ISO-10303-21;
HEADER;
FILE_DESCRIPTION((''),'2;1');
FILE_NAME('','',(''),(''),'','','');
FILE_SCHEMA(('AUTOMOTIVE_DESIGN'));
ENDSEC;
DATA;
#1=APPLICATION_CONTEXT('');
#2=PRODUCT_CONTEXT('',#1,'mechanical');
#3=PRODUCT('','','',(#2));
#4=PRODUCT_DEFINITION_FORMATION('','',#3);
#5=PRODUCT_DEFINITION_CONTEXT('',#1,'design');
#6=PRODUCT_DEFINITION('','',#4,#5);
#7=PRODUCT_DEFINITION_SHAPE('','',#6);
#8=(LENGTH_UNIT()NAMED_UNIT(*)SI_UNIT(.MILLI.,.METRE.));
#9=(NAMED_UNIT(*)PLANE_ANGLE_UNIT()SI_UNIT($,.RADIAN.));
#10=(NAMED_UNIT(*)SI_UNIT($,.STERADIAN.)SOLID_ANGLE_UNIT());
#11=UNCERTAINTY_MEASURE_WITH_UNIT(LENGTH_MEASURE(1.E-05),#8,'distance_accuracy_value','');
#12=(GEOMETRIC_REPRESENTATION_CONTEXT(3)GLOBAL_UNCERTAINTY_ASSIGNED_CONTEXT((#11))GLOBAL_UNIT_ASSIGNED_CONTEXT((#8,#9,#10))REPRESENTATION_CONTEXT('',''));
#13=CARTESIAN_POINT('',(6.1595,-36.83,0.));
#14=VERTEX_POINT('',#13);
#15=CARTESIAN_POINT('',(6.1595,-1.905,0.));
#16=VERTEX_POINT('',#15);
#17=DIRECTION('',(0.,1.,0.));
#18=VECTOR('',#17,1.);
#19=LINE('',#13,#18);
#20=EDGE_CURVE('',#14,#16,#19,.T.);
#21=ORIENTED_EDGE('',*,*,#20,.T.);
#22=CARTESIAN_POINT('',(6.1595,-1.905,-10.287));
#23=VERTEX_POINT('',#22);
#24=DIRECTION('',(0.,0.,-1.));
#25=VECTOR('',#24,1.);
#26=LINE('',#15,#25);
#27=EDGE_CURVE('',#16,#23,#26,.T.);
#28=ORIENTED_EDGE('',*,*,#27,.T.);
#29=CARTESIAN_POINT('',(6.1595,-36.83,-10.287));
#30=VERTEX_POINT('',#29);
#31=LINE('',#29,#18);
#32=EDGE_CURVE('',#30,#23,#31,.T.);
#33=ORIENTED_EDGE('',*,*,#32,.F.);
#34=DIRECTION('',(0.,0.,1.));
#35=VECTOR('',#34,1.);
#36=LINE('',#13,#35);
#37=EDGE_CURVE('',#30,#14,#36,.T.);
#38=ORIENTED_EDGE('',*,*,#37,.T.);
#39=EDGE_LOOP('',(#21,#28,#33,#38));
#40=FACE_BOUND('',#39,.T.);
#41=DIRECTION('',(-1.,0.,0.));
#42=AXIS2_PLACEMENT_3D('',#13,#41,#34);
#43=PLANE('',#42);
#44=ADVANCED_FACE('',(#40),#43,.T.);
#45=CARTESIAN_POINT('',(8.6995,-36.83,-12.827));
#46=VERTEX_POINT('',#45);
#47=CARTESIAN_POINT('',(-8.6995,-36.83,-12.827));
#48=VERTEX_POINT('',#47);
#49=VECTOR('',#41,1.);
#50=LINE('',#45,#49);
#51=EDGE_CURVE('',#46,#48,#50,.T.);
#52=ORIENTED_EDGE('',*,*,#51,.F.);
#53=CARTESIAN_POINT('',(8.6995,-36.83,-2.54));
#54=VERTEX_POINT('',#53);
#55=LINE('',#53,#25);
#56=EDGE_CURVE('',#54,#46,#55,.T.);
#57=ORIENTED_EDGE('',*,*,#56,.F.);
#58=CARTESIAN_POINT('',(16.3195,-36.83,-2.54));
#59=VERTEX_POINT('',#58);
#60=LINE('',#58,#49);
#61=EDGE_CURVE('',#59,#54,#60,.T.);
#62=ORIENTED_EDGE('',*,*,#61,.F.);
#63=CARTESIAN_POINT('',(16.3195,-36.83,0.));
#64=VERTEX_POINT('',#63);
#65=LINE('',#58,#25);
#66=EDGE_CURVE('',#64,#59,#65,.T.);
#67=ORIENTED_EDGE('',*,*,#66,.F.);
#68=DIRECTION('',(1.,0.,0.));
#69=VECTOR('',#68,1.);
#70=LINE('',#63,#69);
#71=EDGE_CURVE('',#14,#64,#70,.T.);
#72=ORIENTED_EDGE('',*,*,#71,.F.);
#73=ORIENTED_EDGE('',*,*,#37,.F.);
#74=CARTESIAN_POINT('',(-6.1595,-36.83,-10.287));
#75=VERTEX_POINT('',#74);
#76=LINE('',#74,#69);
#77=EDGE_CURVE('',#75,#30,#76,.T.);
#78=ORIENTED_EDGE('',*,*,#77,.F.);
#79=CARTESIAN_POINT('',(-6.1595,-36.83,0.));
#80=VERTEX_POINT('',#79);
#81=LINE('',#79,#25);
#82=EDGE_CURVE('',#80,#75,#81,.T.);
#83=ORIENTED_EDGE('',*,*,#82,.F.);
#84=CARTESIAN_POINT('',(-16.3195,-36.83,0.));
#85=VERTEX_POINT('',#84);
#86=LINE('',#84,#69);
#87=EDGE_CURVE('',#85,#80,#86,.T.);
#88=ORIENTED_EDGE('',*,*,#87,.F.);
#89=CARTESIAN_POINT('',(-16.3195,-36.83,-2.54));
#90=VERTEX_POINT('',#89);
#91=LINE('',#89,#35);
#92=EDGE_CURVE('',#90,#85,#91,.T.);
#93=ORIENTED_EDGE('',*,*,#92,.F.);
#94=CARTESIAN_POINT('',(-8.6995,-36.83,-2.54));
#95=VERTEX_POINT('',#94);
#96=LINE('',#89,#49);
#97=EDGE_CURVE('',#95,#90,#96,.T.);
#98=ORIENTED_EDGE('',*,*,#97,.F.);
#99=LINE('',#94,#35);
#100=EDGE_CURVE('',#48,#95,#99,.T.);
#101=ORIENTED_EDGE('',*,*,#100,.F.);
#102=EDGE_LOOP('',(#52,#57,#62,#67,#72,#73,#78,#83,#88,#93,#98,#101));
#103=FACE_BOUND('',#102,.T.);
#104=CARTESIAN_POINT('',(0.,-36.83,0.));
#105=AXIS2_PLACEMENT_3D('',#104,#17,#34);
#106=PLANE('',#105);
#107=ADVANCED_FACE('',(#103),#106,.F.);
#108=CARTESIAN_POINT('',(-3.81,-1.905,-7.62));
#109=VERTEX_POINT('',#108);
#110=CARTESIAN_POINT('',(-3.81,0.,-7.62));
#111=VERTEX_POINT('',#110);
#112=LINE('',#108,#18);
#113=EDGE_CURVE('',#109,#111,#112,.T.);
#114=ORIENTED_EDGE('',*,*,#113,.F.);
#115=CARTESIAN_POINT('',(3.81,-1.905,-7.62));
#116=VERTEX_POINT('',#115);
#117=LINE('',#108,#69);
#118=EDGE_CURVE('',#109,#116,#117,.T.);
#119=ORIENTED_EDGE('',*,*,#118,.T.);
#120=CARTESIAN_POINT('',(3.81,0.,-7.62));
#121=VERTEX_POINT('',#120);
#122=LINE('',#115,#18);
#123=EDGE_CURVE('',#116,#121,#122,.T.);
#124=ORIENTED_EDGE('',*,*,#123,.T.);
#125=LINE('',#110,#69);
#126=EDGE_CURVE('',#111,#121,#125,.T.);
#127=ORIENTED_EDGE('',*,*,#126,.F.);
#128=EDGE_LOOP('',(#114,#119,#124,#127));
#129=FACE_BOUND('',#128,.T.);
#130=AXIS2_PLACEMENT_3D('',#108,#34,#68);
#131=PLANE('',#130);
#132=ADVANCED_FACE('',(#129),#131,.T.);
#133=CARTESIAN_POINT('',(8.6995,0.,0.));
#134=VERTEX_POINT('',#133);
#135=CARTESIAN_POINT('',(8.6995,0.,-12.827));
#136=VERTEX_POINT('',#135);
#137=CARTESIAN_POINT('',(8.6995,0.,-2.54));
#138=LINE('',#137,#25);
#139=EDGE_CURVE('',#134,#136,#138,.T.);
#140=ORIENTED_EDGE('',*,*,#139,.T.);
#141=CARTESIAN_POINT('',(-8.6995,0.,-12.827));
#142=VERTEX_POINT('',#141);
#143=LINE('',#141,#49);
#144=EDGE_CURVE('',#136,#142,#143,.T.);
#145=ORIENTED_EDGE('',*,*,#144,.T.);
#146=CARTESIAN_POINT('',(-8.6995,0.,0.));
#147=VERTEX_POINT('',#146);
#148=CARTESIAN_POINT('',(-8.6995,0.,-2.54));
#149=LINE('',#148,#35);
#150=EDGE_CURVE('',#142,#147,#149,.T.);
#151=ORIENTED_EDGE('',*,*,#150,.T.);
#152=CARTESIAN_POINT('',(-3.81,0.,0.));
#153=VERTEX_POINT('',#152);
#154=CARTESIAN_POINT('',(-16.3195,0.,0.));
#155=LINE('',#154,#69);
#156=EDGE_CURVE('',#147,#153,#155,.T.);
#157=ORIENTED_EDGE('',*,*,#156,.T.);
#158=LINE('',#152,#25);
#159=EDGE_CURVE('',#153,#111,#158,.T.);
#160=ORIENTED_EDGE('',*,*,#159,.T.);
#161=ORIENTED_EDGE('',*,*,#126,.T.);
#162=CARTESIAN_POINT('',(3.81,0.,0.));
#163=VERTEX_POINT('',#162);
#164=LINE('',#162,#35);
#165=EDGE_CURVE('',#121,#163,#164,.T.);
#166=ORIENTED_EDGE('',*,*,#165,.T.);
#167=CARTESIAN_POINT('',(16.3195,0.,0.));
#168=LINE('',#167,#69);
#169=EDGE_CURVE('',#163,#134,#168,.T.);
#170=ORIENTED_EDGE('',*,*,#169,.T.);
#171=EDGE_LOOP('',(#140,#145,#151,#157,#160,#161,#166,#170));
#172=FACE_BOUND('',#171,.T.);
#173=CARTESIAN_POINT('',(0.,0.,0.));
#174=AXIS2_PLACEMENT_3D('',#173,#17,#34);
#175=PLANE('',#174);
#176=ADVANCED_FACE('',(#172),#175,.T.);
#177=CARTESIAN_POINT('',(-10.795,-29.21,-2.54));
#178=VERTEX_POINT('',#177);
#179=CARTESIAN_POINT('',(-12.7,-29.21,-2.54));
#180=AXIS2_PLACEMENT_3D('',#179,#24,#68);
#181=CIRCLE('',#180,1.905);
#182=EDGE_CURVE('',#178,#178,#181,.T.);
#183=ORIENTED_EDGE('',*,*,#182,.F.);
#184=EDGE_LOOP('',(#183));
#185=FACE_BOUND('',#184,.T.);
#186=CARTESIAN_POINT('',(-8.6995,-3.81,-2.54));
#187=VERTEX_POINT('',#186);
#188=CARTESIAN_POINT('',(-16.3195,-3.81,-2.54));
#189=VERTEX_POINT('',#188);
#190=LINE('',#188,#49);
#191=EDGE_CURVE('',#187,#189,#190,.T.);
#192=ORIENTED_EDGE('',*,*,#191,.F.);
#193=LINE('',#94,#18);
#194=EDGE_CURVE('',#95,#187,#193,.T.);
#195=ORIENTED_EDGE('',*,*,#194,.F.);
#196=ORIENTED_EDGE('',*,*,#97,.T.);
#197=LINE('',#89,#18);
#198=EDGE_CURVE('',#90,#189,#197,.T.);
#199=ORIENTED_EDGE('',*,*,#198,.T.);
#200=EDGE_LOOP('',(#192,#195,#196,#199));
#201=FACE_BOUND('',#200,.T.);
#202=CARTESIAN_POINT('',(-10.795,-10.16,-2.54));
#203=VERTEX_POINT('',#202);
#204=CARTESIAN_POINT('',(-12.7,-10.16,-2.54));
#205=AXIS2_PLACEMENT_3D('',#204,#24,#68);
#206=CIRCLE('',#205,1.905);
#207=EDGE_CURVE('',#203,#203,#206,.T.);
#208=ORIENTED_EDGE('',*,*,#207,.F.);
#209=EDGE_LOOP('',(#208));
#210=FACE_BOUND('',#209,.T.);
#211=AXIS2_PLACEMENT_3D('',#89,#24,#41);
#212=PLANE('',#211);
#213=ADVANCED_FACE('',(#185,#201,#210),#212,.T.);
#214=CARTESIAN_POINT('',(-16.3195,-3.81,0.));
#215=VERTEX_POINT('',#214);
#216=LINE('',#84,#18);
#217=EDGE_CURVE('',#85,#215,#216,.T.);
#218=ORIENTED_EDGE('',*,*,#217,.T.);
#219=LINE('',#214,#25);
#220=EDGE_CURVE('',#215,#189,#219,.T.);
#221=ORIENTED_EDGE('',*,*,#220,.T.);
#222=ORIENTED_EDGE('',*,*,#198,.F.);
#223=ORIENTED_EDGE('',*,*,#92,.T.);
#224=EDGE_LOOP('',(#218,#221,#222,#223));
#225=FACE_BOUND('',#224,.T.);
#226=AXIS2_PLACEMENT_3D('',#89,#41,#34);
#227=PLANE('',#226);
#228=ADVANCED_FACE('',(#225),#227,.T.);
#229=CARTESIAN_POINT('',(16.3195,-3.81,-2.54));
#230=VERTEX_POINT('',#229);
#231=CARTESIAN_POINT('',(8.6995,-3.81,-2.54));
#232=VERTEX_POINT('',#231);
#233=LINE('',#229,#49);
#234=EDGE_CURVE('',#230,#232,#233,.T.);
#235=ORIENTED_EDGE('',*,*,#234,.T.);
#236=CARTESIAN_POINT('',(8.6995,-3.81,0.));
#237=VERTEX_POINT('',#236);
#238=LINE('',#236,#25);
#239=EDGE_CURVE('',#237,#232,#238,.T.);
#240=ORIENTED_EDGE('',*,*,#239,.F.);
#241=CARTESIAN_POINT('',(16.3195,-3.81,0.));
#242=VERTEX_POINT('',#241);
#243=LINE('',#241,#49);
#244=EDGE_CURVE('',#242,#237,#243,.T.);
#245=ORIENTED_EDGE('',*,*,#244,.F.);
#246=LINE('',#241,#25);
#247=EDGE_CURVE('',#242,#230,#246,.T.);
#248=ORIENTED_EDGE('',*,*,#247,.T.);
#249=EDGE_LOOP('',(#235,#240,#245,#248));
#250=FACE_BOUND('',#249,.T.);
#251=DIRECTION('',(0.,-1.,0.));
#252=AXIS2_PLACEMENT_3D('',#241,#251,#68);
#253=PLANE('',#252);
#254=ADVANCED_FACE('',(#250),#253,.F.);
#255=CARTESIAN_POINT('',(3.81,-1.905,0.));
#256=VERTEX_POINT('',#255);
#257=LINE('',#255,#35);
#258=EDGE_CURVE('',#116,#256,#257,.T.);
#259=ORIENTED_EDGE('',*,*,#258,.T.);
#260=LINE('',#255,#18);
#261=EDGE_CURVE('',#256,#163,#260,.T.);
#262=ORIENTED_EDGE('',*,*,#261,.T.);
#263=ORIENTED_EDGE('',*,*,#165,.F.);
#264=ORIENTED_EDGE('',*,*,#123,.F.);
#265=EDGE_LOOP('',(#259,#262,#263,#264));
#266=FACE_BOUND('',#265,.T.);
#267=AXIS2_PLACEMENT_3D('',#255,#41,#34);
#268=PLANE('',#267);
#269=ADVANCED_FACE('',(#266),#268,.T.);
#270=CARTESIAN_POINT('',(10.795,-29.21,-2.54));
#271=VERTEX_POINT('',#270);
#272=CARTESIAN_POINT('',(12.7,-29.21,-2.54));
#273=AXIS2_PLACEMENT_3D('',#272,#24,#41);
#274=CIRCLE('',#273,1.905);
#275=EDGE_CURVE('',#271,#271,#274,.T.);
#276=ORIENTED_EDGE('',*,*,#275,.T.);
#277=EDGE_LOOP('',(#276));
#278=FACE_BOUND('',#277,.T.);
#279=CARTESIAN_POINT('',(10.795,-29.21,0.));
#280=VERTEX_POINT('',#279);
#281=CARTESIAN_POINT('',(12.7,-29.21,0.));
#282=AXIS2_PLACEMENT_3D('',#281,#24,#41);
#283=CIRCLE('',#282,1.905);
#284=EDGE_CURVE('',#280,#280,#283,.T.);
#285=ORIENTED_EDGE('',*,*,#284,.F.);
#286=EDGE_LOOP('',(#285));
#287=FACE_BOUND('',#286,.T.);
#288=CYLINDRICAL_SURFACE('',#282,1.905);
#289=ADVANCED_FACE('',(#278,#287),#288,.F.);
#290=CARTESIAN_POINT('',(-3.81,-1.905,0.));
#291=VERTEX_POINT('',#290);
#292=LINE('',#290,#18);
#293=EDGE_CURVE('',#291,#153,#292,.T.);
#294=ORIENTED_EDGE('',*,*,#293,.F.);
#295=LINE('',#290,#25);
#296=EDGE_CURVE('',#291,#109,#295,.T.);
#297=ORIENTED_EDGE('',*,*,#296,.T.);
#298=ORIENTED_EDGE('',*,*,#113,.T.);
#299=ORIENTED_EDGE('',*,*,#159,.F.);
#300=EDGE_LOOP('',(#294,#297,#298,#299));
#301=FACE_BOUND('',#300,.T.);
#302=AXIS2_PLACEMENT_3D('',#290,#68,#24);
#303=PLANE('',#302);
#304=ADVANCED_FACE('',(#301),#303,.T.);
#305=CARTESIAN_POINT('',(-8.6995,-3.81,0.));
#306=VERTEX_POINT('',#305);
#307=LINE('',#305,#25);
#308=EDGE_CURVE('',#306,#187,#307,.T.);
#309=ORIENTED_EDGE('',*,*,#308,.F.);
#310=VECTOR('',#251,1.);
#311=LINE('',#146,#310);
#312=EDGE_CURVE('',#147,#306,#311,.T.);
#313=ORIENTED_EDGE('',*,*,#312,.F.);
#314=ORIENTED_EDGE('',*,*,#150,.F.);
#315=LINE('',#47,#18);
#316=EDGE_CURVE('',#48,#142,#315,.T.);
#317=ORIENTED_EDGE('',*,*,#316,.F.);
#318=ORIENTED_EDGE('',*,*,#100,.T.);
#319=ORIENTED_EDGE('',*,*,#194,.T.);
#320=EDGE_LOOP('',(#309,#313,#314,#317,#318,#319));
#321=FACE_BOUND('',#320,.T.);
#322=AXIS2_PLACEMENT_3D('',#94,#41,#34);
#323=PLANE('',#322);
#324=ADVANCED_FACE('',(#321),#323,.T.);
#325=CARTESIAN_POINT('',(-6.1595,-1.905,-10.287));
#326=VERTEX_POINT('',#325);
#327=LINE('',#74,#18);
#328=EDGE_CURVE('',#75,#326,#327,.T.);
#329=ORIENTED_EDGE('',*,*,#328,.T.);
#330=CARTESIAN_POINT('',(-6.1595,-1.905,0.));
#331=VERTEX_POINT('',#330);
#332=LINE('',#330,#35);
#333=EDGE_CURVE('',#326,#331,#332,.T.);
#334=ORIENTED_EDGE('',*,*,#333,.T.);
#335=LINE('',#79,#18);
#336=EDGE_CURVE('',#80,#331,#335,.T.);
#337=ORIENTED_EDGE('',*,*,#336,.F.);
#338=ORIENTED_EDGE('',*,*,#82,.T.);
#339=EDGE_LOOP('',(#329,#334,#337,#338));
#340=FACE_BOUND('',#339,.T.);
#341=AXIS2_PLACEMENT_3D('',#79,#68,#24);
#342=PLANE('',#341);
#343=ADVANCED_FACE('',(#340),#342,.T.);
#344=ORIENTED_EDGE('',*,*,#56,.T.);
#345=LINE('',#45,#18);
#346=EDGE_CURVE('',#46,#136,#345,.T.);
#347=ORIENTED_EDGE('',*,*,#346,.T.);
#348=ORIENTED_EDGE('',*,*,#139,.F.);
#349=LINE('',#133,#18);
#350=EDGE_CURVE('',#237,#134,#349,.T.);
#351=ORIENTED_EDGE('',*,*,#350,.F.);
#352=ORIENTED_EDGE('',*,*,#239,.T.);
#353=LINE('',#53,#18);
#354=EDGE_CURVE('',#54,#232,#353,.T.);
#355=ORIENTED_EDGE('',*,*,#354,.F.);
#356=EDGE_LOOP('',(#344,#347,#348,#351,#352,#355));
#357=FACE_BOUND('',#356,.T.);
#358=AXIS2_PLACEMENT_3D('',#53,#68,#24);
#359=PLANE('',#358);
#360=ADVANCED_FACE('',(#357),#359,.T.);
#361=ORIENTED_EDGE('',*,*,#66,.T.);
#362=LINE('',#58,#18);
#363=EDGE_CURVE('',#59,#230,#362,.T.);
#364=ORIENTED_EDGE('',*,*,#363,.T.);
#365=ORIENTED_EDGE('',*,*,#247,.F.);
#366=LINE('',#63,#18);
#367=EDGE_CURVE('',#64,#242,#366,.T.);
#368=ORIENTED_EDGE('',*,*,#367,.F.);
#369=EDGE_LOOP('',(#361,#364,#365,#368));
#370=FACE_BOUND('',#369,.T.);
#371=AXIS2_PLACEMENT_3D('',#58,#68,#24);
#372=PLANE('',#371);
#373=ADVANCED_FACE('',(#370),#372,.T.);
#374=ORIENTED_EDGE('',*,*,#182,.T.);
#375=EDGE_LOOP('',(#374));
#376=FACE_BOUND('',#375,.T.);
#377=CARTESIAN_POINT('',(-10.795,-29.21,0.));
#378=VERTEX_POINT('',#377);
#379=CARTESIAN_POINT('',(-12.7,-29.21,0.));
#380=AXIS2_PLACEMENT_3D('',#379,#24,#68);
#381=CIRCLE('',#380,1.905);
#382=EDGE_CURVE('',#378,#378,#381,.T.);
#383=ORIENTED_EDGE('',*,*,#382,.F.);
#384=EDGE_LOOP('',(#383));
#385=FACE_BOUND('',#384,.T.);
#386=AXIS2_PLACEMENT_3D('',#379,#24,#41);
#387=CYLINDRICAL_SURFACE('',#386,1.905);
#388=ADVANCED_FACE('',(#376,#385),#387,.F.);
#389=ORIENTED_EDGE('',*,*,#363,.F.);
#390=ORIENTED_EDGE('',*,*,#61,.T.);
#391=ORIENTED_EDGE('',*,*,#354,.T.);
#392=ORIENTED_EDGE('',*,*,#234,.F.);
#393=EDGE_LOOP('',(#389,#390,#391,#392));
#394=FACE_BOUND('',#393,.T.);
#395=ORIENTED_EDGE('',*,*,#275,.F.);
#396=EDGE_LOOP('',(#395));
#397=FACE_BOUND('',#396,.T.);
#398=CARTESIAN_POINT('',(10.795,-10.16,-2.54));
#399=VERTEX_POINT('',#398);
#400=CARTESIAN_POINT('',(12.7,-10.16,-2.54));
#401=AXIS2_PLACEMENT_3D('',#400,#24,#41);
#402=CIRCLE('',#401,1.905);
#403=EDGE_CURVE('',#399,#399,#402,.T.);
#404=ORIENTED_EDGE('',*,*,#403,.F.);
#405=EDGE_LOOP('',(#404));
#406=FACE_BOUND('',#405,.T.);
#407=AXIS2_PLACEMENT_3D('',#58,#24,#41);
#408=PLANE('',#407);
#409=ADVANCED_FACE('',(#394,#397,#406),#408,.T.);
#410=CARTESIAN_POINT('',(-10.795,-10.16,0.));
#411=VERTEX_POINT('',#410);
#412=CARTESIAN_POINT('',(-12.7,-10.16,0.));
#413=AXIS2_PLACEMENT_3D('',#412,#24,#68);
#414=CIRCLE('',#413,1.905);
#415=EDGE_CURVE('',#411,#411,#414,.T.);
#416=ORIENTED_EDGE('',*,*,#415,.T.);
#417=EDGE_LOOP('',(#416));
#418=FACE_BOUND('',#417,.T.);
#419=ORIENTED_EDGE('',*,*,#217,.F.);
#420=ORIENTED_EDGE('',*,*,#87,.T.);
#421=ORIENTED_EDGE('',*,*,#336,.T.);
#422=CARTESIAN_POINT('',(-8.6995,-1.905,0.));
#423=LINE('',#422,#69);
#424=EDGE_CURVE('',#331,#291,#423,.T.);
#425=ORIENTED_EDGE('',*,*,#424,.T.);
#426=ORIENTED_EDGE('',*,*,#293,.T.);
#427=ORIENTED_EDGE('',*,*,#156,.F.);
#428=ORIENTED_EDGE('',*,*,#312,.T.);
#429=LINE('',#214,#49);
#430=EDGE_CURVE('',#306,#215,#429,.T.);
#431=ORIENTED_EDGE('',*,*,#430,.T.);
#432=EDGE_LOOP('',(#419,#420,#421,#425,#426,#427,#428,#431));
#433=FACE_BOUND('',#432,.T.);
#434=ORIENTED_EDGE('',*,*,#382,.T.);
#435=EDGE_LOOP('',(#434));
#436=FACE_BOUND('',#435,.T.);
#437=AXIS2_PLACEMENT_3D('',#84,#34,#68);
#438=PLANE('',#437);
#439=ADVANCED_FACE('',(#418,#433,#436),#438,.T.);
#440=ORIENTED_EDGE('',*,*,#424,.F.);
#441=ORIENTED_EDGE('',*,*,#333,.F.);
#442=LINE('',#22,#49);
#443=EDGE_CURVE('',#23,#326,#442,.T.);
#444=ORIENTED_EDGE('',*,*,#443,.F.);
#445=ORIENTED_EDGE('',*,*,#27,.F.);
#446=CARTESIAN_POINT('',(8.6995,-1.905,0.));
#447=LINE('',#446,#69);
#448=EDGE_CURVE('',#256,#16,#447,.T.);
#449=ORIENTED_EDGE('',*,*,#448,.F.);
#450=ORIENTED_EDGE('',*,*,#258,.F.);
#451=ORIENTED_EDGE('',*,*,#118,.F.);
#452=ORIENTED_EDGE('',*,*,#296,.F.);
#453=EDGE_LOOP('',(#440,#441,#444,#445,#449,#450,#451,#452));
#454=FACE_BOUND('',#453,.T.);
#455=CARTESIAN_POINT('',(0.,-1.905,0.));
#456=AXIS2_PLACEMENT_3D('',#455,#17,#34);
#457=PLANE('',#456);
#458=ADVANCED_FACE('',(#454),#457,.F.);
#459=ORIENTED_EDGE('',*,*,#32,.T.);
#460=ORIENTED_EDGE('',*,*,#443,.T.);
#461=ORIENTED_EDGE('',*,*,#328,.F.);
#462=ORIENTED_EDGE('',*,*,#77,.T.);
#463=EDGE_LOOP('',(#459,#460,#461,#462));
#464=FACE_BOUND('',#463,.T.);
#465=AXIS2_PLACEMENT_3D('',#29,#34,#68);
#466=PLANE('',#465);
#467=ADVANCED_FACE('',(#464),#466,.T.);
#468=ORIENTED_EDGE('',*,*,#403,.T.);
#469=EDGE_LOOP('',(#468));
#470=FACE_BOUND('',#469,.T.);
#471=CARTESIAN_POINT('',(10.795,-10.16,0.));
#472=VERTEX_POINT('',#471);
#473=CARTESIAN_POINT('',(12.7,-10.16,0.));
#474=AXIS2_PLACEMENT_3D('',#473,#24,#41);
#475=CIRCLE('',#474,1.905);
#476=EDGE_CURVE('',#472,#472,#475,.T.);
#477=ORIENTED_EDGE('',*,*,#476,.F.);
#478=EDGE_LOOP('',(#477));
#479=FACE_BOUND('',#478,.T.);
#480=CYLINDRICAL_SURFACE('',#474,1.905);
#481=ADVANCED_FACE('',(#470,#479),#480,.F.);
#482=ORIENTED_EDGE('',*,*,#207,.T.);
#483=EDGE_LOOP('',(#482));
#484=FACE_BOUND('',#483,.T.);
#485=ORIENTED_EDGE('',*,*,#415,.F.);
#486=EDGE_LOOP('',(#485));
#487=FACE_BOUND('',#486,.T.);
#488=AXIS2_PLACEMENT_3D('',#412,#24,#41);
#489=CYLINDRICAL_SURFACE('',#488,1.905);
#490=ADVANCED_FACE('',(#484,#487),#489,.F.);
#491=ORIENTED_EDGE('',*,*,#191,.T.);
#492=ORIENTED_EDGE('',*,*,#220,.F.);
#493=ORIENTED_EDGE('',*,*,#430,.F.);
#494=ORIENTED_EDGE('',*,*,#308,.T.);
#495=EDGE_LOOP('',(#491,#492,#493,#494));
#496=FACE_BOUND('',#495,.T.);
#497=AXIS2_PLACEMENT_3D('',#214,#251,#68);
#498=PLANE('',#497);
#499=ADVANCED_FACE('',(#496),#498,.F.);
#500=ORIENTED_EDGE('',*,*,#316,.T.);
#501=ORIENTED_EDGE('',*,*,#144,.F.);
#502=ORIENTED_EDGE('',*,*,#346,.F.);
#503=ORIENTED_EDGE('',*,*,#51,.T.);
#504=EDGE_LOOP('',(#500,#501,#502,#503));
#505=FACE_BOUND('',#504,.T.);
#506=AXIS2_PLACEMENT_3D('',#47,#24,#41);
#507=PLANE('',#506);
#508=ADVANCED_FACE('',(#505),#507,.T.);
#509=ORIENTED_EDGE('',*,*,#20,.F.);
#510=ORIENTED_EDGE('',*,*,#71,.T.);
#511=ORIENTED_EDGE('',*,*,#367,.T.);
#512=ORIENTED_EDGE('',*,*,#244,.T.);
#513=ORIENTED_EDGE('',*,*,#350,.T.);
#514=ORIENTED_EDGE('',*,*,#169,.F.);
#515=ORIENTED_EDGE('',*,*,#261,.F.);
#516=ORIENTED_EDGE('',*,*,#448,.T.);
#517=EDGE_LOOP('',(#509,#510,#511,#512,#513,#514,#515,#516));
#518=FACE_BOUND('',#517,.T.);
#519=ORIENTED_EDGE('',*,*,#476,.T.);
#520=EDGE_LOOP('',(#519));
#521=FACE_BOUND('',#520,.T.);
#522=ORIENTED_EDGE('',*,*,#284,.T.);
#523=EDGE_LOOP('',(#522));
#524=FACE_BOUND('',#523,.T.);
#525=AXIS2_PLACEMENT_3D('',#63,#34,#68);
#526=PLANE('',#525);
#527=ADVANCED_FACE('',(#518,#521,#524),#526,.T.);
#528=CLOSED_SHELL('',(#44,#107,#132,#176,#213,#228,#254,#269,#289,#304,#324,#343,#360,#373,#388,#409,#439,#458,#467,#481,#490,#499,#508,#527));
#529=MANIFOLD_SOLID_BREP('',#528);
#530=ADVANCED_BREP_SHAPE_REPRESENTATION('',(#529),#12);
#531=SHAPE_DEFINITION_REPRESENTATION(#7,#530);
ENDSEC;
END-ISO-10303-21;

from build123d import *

# Parameters (mm, degrees)
BOSS_EXTRUDE1_DEPTH = 36.83
BOSS_EXTRUDE2_DEPTH = 1.905
SKETCH3_R           = 1.905
CUT_EXTRUDE1_DEPTH  = 2.54
SKETCH4_W           = 7.62
SKETCH4_H           = 3.81
CUT_EXTRUDE2_DEPTH  = 42.576403756


with BuildPart() as part:
    # Sketch1 → Boss-Extrude1 (new body)
    with BuildSketch(Plane(origin=(0, 0, 0), x_dir=(1, 0, 0), z_dir=(0, 1, 0))):
        Polygon((-16.3195, 0), (-6.1595, 0), (-6.1595, 10.287), (0, 10.287), (6.1595, 10.287), (6.1595, 0), (16.3195, 0), (16.3195, 2.54), (8.6995, 2.54), (8.6995, 12.827), (0, 12.827), (-8.6995, 12.827), (-8.6995, 2.54), (-16.3195, 2.54), align=None)
    extrude(amount=-BOSS_EXTRUDE1_DEPTH)

    # Sketch2 → Boss-Extrude2 (add)
    with BuildSketch(Plane(origin=(0, 0, 0), x_dir=(1, 0, 0), z_dir=(0, 1, 0))):
        Polygon((-8.6995, 12.827), (8.6995, 12.827), (8.6995, 0), (3.81, 0), (3.81, 7.62), (-3.81, 7.62), (-3.81, 0), (-8.6995, 0), align=None)
    extrude(amount=-BOSS_EXTRUDE2_DEPTH)

    # Sketch3 → Cut-Extrude1 (cut)
    with BuildSketch(Plane(origin=(0, 0, -2.54), x_dir=(-1, 0, 0), z_dir=(0, 0, -1))):
        with Locations((-12.7, -10.16)):
            Circle(SKETCH3_R)
        with Locations((-12.7, -29.21)):
            Circle(SKETCH3_R)
        with Locations(Location((12.7, -29.21, 0), (0, 0, 180))):
            Circle(SKETCH3_R)
        with Locations(Location((12.7, -10.16, 0), (0, 0, 180))):
            Circle(SKETCH3_R)
    extrude(amount=-CUT_EXTRUDE1_DEPTH, mode=Mode.SUBTRACT)

    # Sketch4 → Cut-Extrude2 (cut, through all)
    with BuildSketch(Plane(origin=(0, 0, -2.54), x_dir=(-1, 0, 0), z_dir=(0, 0, -1))):
        with Locations((-12.5095, -1.905)):
            Rectangle(SKETCH4_W, SKETCH4_H)
        with Locations((12.5095, -1.905)):
            Rectangle(SKETCH4_W, SKETCH4_H)
    extrude(amount=-CUT_EXTRUDE2_DEPTH, mode=Mode.SUBTRACT)


solid = part.part
